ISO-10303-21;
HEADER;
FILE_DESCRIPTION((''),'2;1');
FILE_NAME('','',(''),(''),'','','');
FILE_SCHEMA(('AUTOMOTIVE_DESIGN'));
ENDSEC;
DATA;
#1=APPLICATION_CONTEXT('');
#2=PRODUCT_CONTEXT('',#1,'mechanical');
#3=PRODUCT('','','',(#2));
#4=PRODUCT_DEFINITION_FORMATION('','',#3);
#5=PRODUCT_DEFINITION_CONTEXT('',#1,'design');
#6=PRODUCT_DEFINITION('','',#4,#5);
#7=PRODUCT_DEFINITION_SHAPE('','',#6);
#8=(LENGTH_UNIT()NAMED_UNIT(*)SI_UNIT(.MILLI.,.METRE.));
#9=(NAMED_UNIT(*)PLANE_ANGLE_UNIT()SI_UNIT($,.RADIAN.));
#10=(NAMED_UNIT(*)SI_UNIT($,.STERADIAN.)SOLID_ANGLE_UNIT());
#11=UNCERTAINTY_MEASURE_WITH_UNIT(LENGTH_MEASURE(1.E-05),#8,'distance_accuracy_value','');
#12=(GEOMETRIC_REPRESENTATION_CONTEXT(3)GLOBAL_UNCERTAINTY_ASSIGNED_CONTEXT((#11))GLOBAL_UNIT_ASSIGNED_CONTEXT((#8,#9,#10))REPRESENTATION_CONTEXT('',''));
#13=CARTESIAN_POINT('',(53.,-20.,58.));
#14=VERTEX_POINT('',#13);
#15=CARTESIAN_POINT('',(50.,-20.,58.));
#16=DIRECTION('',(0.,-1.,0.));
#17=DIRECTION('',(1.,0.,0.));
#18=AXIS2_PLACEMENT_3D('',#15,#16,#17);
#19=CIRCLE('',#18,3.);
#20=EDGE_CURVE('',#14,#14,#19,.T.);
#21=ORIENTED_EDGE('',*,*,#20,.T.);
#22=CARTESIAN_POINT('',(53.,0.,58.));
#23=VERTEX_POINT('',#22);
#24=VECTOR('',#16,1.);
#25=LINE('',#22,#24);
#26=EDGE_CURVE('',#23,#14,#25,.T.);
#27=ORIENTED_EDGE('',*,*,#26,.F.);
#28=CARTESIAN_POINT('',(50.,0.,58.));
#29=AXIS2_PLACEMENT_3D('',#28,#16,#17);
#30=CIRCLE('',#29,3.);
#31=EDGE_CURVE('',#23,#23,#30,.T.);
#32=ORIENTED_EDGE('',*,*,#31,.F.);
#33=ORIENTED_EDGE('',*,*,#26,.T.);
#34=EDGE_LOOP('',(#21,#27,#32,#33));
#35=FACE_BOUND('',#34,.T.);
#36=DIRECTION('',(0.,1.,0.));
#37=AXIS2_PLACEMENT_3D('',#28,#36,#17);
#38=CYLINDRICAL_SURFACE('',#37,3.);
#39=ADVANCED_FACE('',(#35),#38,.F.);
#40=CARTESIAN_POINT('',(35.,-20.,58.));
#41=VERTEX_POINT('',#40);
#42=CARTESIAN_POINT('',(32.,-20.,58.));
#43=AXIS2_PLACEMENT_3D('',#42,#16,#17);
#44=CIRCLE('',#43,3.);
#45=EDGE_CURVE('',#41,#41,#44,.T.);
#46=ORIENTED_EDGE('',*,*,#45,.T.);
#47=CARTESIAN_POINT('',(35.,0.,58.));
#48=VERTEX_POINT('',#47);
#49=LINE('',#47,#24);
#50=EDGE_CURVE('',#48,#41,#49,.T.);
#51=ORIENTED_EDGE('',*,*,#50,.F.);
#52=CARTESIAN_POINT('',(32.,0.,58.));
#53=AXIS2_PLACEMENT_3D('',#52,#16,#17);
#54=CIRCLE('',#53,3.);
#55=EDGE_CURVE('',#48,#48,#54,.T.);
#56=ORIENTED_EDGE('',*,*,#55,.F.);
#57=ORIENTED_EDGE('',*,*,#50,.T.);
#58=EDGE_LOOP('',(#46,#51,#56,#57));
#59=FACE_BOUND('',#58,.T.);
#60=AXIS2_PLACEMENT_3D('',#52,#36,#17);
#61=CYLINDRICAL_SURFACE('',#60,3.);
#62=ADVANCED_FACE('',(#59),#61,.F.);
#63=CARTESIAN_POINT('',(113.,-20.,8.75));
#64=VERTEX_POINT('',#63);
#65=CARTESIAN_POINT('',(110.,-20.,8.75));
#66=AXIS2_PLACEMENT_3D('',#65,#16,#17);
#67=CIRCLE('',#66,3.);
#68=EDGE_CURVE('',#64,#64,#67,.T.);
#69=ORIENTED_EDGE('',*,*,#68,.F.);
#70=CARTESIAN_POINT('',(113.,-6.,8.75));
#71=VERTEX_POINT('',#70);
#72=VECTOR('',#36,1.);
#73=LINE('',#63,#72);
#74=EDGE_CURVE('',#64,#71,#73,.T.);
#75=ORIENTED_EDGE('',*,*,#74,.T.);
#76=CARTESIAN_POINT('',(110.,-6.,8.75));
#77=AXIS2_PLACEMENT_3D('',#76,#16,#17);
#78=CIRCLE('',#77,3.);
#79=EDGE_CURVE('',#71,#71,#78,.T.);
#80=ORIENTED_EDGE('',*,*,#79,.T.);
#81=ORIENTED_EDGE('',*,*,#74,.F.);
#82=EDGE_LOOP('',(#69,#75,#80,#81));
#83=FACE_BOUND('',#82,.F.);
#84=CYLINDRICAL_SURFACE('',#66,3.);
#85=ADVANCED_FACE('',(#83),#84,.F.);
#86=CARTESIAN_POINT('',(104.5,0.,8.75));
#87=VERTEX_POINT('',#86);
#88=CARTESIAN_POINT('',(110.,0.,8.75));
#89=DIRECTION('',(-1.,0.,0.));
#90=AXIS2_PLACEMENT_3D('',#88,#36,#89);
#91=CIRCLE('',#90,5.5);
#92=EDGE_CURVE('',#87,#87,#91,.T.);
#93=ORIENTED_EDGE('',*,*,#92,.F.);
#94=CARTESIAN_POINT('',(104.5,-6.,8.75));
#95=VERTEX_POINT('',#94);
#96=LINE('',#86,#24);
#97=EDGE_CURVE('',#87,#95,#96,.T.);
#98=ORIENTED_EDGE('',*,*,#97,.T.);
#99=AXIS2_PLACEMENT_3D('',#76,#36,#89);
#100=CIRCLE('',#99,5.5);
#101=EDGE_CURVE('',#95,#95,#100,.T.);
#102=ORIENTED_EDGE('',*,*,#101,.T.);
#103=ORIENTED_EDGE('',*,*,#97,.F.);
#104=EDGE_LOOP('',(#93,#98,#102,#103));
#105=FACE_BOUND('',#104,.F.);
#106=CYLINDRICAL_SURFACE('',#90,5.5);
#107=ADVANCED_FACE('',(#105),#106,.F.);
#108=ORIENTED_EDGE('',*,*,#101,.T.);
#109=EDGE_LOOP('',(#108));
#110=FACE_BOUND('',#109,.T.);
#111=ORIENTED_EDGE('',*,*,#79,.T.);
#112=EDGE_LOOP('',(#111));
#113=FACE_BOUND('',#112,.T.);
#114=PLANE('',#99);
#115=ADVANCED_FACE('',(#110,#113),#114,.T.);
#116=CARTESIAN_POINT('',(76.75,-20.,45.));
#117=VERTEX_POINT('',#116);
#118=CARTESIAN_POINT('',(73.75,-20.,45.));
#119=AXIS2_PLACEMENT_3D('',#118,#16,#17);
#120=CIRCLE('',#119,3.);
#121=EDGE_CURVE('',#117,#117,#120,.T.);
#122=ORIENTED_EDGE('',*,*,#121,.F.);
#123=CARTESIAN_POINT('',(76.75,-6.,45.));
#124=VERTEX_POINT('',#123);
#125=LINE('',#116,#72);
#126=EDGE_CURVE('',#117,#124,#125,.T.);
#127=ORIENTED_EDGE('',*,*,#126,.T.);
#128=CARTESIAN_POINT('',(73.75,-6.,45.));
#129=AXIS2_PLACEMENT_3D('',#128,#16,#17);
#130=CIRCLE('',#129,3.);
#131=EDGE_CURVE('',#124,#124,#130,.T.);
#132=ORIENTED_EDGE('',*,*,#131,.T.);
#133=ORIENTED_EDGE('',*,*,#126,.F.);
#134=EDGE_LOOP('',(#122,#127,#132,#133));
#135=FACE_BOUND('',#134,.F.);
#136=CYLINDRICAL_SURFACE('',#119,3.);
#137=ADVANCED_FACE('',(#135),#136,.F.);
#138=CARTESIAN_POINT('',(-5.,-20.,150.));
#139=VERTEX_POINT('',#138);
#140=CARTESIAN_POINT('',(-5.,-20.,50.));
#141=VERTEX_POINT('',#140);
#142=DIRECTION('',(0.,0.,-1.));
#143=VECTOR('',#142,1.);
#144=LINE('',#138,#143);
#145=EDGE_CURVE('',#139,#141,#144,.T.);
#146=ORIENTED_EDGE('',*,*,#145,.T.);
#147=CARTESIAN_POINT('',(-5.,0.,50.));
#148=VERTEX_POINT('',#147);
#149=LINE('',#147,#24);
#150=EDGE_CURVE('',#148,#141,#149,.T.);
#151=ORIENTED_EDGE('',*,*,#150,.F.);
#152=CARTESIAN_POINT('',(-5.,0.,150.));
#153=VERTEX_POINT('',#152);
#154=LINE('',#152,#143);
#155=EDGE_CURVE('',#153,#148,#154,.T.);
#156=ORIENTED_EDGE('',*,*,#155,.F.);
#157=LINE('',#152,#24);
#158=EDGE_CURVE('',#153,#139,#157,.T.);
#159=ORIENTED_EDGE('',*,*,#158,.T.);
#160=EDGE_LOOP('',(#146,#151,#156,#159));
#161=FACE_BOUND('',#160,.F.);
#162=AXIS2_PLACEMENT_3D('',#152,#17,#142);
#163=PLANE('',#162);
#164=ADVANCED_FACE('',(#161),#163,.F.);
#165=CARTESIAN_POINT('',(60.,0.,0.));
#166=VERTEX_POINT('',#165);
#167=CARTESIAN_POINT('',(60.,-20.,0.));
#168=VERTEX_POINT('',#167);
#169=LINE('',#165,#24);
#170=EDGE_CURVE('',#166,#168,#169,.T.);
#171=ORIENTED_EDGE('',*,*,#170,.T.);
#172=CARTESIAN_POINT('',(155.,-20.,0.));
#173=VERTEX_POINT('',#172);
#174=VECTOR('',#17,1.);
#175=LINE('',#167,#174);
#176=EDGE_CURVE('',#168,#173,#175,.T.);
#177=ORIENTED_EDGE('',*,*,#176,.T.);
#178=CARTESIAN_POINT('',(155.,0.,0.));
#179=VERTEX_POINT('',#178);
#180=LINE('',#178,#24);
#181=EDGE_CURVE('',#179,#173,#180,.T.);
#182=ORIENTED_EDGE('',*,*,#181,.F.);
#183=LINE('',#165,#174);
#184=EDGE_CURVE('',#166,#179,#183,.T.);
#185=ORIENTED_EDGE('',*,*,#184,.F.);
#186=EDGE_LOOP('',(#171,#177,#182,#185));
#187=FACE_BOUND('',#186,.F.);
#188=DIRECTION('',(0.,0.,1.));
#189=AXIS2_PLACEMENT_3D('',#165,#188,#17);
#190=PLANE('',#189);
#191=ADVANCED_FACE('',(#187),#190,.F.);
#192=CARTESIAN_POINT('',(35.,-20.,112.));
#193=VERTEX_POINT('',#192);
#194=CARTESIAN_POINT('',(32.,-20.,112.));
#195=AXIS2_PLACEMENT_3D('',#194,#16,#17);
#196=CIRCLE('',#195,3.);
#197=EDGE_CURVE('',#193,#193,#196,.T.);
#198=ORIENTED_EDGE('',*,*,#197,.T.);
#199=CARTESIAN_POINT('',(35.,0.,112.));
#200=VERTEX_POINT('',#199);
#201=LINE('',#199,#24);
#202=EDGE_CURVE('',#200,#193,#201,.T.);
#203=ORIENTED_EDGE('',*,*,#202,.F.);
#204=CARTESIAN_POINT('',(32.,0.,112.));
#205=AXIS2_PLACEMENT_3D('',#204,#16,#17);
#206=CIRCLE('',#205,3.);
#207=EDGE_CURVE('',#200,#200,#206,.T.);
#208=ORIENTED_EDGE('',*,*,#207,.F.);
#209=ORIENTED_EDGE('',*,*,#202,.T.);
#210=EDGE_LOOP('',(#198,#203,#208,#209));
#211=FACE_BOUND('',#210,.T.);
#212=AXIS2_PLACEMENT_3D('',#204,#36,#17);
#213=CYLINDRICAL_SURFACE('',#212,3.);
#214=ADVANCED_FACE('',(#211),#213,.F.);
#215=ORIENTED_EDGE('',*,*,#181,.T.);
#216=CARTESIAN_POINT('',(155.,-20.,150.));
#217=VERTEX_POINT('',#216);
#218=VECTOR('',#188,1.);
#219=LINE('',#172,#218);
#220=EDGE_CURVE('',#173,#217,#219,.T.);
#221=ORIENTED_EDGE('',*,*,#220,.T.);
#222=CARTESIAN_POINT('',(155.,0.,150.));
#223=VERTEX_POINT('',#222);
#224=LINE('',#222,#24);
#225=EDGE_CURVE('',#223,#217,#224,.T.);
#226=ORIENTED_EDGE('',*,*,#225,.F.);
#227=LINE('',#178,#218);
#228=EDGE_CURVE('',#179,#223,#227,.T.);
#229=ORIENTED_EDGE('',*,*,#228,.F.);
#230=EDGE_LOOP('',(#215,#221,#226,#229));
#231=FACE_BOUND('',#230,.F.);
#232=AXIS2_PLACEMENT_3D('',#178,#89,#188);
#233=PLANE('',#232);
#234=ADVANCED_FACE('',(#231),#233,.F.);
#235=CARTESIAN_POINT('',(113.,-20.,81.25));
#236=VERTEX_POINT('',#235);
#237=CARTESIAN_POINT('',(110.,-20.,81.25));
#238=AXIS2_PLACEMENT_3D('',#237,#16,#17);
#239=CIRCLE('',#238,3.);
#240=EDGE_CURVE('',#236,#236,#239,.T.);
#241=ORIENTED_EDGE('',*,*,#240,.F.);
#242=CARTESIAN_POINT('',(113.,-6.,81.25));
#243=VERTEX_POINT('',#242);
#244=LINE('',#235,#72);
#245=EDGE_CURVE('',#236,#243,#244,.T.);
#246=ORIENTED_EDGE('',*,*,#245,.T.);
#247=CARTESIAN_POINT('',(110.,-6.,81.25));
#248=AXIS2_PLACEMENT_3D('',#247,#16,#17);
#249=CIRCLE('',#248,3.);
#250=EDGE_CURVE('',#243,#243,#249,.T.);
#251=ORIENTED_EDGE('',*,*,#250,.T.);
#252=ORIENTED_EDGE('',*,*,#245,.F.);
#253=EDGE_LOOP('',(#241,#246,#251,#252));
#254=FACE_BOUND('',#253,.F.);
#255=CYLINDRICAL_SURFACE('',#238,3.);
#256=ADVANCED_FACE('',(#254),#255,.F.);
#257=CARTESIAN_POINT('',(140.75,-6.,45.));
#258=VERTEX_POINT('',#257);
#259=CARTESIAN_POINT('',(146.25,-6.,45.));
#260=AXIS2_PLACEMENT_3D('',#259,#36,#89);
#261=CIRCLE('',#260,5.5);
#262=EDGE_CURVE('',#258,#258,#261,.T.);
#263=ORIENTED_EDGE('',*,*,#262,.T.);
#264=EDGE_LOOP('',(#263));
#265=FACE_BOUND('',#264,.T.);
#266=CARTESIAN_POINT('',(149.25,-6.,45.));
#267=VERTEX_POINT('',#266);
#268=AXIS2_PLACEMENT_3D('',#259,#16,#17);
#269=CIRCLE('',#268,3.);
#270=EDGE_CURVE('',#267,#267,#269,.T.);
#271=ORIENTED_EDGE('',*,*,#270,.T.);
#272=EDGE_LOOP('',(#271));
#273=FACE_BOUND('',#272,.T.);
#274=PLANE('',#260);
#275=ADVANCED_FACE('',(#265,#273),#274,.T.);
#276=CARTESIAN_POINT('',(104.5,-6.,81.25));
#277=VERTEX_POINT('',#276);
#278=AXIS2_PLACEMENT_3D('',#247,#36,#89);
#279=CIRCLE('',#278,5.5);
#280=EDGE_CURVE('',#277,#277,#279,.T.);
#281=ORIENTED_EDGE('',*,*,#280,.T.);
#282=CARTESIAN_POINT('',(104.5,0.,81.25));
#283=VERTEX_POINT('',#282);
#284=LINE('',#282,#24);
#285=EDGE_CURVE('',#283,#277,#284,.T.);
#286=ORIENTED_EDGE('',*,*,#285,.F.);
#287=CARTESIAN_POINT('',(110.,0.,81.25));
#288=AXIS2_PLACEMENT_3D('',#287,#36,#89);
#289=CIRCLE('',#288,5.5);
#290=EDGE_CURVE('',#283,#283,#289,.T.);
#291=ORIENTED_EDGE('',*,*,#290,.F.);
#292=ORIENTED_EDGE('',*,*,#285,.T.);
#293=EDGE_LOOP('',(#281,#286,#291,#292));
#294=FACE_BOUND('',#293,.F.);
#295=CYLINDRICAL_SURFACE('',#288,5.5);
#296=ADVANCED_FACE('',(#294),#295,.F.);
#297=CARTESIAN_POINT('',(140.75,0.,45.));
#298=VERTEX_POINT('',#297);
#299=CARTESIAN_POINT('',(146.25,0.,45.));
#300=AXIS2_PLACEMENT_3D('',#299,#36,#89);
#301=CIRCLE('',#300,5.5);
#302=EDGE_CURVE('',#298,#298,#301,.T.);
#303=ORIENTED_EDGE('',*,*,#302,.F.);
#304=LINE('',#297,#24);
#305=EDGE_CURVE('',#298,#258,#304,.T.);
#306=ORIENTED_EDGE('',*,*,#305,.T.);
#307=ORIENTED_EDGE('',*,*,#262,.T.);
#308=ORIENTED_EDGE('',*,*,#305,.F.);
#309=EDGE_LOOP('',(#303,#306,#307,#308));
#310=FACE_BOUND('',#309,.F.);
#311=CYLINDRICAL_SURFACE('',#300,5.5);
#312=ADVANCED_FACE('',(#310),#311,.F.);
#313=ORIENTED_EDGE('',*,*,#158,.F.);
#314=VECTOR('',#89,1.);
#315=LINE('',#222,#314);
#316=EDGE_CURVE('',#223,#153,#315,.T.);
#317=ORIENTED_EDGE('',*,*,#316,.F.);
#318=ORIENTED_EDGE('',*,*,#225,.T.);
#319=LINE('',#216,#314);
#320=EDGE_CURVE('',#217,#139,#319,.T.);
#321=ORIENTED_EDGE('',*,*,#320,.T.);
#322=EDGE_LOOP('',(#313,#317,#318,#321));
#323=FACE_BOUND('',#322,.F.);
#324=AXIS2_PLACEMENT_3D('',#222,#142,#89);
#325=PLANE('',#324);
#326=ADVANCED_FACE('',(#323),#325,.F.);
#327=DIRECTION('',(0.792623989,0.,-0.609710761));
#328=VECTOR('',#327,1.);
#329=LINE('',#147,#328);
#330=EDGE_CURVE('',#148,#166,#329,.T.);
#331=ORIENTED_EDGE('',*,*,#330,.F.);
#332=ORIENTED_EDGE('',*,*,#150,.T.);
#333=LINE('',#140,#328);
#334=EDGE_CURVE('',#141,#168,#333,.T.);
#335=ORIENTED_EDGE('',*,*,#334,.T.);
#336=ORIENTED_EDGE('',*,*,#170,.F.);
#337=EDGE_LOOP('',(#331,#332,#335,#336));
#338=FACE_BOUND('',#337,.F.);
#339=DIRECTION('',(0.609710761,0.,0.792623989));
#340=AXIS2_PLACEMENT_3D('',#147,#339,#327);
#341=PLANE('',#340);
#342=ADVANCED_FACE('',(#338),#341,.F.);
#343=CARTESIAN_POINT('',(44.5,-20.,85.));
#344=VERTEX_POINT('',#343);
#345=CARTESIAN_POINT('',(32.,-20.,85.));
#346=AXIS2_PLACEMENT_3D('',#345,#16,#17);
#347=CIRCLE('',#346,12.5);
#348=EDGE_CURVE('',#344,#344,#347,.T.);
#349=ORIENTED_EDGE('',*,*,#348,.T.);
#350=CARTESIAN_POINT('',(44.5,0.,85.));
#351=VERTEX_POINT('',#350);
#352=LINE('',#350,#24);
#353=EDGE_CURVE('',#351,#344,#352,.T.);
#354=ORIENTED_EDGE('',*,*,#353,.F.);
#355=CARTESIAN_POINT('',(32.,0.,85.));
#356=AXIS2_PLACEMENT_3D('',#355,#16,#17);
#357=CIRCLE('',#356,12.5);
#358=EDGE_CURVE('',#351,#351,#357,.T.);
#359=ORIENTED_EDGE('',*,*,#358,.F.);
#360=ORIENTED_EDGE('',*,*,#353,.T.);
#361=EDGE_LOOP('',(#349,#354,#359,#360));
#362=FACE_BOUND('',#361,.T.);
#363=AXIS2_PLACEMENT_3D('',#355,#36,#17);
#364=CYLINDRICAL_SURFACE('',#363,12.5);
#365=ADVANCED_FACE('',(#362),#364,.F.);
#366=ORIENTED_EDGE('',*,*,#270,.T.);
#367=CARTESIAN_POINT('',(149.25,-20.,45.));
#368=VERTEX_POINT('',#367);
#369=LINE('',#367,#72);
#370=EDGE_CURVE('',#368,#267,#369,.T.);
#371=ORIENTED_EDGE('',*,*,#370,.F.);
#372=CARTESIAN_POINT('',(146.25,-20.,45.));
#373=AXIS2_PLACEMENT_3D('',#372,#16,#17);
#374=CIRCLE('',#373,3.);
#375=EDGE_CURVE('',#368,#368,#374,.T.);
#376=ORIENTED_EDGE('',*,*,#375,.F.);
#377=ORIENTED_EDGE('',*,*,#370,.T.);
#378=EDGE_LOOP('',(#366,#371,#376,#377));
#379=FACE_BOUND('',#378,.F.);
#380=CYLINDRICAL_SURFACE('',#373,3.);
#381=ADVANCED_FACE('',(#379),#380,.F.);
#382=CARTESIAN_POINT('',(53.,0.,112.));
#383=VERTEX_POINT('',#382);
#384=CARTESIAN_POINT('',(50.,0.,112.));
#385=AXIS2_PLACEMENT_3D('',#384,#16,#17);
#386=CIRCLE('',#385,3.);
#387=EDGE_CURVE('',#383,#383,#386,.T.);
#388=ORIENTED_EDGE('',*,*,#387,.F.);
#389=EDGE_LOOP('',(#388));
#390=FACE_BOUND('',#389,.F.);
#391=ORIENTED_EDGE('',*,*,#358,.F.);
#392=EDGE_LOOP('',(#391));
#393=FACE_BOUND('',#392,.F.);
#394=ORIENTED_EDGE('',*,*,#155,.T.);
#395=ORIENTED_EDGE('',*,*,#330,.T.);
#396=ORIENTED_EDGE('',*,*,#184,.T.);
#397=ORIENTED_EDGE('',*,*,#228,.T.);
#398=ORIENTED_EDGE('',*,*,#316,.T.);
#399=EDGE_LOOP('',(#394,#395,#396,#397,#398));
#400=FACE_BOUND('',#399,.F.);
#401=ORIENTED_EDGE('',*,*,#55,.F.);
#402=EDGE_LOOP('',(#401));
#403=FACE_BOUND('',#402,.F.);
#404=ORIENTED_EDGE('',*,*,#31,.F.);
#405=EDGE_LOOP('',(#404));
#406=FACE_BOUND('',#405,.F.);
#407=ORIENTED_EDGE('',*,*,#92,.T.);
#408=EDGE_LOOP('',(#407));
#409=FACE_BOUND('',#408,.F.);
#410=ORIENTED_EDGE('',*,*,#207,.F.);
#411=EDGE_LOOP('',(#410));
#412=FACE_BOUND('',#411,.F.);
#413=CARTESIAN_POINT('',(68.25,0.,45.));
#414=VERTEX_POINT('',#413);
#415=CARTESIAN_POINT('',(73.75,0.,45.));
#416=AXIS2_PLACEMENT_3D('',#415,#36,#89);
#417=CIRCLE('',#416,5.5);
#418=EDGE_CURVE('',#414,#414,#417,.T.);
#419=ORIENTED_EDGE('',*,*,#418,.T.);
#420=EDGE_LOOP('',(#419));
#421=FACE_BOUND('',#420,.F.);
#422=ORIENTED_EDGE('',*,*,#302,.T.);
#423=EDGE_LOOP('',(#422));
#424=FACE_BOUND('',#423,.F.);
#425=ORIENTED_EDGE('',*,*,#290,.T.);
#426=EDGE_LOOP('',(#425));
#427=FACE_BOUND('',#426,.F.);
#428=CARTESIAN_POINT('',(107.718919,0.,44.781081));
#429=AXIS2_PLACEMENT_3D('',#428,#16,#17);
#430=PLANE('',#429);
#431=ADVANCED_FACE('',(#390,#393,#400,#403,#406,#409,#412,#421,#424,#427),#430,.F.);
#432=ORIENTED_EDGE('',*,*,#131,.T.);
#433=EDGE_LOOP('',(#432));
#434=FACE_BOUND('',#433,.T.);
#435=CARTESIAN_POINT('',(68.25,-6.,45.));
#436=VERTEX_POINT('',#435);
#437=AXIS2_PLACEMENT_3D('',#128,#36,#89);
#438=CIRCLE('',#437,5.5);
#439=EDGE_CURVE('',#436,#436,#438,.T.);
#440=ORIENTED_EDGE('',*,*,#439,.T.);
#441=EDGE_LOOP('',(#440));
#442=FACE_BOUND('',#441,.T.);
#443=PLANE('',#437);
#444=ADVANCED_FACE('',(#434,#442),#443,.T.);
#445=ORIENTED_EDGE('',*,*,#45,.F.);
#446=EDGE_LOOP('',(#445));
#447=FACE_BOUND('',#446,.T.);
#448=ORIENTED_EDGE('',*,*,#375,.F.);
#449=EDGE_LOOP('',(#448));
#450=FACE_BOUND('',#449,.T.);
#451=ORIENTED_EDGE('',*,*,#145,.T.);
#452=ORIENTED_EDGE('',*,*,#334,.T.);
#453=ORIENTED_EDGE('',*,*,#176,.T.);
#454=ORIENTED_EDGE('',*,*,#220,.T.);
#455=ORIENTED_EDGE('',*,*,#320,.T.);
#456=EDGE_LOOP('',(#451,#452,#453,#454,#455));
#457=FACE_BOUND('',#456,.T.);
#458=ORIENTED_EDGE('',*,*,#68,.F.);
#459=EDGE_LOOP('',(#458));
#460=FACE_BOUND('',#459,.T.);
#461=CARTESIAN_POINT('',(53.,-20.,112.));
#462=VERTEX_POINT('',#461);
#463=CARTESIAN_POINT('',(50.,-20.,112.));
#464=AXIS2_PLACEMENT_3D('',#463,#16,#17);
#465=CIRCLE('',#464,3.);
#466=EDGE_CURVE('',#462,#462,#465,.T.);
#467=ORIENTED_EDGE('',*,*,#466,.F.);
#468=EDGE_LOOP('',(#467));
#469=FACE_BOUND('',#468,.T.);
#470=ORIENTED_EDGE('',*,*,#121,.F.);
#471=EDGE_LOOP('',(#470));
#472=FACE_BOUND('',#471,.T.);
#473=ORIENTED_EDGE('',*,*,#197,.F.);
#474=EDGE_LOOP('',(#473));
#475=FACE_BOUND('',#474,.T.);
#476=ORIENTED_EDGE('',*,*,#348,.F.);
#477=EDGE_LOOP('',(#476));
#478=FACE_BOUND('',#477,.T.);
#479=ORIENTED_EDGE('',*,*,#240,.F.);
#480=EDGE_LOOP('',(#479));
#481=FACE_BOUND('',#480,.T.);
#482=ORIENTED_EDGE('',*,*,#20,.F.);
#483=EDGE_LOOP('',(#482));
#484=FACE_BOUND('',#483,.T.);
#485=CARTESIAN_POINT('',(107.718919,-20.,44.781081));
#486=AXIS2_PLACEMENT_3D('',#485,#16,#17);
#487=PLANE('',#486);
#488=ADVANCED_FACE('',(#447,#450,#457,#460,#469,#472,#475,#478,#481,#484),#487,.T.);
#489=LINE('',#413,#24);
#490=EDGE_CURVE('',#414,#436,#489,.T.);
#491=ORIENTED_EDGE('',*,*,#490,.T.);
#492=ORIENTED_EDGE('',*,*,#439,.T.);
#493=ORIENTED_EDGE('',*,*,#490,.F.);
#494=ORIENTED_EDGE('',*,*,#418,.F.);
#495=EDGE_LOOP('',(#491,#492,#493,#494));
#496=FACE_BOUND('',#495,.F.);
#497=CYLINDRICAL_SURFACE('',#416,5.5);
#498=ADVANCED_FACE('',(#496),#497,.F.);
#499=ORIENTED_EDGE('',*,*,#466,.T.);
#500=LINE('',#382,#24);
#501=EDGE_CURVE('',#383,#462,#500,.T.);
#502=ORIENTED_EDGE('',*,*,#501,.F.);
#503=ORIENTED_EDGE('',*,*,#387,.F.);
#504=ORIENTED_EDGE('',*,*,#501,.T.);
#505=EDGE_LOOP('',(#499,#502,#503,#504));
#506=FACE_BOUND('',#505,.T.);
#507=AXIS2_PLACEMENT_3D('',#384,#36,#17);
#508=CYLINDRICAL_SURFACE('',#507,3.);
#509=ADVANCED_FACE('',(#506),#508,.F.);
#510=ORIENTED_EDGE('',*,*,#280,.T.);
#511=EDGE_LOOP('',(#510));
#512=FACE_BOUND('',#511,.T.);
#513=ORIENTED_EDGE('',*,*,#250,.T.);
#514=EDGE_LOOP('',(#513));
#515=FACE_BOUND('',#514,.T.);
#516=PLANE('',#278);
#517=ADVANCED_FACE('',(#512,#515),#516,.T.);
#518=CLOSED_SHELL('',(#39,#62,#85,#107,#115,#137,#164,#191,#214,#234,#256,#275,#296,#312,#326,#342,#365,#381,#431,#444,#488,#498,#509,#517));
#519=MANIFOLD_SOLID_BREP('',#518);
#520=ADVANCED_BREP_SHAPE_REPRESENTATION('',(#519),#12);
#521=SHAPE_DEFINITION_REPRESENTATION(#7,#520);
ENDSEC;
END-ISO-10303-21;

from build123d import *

# Parameters (mm, degrees)
F0_R     = 18
F0_R_2   = 3
F0_W     = 3
F0_H     = 17
F0_H_2   = 27
F0_R_3   = 12.5
F1_DEPTH = 20
F2_DEPTH = 25
F3_R     = 3
F4_DEPTH = 25
F5_R     = 5.5
F6_DEPTH = 6


with BuildPart() as f1:
    # F0 (on Front) → F1 (new body)
    with BuildSketch(Plane.XZ):
        Polygon((60, 50), (60, 0), (155, 0), (155, 90), (63, 90), (63, 63), (60, 63), align=None)
        Polygon((1, 63), (60, 63), (60, 90), (60, 107), (1, 107), align=None)
        with Locations((32, 85)):
            Circle(F0_R, mode=Mode.SUBTRACT)
        Polygon((-5, 50), (60, 50), (60, 63), (1, 63), (1, 107), (60, 107), (60, 120), (-5, 120), align=None)
        with Locations((32, 58)):
            Circle(F0_R_2, mode=Mode.SUBTRACT)
        with Locations((50, 58)):
            Circle(F0_R_2, mode=Mode.SUBTRACT)
        with Locations((32, 112)):
            Circle(F0_R_2, mode=Mode.SUBTRACT)
        with Locations((50, 112)):
            Circle(F0_R_2, mode=Mode.SUBTRACT)
        Polygon((63, 90), (155, 90), (155, 150), (-5, 150), (-5, 120), (60, 120), (60, 107), (63, 107), align=None)
        with Locations((61.5, 98.5)):
            Rectangle(F0_W, F0_H)
        with Locations((61.5, 76.5)):
            Rectangle(F0_W, F0_H_2)
        with Locations((32, 85)):
            Circle(F0_R_3)
        with Locations((32, 85)):
            Circle(F0_R)
        with Locations((32, 85)):
            Circle(F0_R_3, mode=Mode.SUBTRACT)
        Polygon((-5, 50), (60, 0), (60, 50), align=None)
    extrude(amount=F1_DEPTH)

    # F0 (on Front) → F2 (cut)
    with BuildSketch(Plane.XZ):
        with Locations((32, 85)):
            Circle(F0_R_3)
    extrude(amount=F2_DEPTH, mode=Mode.SUBTRACT)

    # F3 (on face) → F4 (cut)
    with BuildSketch(Plane.XZ.offset(20)):
        with Locations((110, 81.25)):
            Circle(F3_R)
        with Locations((146.25, 45)):
            Circle(F3_R)
        with Locations((73.75, 45)):
            Circle(F3_R)
        with Locations((110, 8.75)):
            Circle(F3_R)
    extrude(amount=-F4_DEPTH, mode=Mode.SUBTRACT)

    # F5 (on face) → F6 (cut)
    with BuildSketch(Plane(origin=(0, 0, 0), x_dir=(-1, 0, 0), z_dir=(0, 1, 0))):
        with Locations((-146.25, 45)):
            Circle(F5_R)
        with Locations((-110, 81.25)):
            Circle(F5_R)
        with Locations((-73.75, 45)):
            Circle(F5_R)
        with Locations((-110, 8.75)):
            Circle(F5_R)
    extrude(amount=-F6_DEPTH, mode=Mode.SUBTRACT)


solid = f1.part
